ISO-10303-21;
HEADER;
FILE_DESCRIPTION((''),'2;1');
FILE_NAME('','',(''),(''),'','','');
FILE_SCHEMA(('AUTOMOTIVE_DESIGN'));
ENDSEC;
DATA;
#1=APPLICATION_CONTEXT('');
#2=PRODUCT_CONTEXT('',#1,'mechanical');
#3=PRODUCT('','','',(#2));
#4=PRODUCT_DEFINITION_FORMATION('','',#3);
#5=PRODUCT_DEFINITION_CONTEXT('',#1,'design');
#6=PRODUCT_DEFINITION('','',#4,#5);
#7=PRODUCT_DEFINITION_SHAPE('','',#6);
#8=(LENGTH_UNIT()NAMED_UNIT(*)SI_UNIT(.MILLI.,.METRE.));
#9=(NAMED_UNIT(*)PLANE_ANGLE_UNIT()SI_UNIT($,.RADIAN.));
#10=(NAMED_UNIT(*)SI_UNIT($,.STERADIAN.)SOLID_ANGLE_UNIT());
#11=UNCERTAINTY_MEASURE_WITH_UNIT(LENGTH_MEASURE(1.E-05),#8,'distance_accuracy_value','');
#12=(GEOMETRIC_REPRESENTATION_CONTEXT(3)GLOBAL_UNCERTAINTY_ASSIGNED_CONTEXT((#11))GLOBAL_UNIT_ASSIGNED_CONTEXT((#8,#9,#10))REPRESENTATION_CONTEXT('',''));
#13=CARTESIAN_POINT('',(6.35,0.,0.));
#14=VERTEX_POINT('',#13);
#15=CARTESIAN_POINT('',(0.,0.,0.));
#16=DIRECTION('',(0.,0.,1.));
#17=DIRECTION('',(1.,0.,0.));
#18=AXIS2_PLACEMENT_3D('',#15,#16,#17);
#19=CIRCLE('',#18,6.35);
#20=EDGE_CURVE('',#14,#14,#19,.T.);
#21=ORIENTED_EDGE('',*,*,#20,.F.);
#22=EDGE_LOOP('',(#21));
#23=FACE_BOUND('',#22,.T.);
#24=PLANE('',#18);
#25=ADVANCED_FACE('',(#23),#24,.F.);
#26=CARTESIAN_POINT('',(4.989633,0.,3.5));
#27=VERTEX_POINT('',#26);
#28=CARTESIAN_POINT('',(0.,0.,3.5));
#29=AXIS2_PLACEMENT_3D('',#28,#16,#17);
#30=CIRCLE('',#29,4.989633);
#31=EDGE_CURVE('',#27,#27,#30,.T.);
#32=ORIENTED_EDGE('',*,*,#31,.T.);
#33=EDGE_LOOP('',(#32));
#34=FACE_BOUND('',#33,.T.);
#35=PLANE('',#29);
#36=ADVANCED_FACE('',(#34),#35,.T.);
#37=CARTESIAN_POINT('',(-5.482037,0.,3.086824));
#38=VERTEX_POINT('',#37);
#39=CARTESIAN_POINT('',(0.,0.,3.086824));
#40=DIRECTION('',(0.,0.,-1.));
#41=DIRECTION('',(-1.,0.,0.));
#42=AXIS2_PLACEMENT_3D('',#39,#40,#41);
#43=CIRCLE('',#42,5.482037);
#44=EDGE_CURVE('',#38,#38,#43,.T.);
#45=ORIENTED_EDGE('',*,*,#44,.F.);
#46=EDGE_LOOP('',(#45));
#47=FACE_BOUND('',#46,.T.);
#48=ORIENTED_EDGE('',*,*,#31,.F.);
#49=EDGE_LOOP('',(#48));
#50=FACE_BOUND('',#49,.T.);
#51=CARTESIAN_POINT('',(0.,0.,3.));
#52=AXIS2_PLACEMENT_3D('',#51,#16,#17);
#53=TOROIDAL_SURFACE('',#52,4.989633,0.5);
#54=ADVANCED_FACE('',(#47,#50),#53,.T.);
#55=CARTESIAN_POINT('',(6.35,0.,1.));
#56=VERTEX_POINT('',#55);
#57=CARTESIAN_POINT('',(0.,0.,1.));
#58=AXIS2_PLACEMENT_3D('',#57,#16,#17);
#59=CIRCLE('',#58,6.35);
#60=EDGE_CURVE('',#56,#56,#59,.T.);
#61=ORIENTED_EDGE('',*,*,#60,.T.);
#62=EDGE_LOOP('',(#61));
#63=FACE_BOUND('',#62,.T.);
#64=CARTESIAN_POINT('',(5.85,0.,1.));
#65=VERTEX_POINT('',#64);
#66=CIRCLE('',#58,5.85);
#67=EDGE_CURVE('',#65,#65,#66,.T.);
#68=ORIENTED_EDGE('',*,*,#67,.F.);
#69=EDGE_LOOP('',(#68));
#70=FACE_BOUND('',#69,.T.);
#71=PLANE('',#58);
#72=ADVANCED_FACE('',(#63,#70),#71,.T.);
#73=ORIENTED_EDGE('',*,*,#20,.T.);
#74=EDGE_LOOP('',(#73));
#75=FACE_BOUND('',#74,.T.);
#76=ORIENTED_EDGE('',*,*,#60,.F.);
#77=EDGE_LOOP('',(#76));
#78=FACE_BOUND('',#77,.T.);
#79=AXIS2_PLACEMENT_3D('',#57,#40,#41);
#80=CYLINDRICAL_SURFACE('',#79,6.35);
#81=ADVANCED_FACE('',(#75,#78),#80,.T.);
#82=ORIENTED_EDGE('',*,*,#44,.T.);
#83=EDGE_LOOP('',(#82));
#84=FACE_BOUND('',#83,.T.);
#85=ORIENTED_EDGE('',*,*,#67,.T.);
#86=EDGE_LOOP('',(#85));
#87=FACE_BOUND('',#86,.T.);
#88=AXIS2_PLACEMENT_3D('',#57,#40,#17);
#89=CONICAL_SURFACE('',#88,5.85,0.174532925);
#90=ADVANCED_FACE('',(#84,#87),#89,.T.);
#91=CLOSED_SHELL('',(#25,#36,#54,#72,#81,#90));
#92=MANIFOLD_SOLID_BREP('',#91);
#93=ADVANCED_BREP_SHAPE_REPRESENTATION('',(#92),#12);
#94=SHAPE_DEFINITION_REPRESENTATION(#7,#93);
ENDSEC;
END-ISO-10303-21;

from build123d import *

# Parameters (mm, degrees)
BASE_R                   = 6.35
BOSS_EXTRU_1_BASE_DEPTH  = 1
PATIN_R                  = 5.85
BOSS_EXTRU_2_PATIN_DEPTH = 2.5
BOSS_EXTRU_2_PATIN_TAPER = 10
CONG_1_0_5MM_PATIN_R     = 0.5


with BuildPart() as part:
    # Base → Boss.-Extru.1_Base (new body)
    with BuildSketch(Plane.XY):
        Circle(BASE_R)
    extrude(amount=BOSS_EXTRU_1_BASE_DEPTH)

    # Patin → Boss.-Extru.2_Patin (add)
    with BuildSketch(Plane.XY.offset(1)):
        Circle(PATIN_R)
    extrude(amount=BOSS_EXTRU_2_PATIN_DEPTH, taper=BOSS_EXTRU_2_PATIN_TAPER)

    # Congé1_0.5mm_Patin
    cong_1_0_5mm_patin_edges = [part.edges().sort_by_distance(p)[0] for p in [
        (-5.409182548, 0, 3.5),
    ]]
    fillet(cong_1_0_5mm_patin_edges, radius=CONG_1_0_5MM_PATIN_R)


solid = part.part
